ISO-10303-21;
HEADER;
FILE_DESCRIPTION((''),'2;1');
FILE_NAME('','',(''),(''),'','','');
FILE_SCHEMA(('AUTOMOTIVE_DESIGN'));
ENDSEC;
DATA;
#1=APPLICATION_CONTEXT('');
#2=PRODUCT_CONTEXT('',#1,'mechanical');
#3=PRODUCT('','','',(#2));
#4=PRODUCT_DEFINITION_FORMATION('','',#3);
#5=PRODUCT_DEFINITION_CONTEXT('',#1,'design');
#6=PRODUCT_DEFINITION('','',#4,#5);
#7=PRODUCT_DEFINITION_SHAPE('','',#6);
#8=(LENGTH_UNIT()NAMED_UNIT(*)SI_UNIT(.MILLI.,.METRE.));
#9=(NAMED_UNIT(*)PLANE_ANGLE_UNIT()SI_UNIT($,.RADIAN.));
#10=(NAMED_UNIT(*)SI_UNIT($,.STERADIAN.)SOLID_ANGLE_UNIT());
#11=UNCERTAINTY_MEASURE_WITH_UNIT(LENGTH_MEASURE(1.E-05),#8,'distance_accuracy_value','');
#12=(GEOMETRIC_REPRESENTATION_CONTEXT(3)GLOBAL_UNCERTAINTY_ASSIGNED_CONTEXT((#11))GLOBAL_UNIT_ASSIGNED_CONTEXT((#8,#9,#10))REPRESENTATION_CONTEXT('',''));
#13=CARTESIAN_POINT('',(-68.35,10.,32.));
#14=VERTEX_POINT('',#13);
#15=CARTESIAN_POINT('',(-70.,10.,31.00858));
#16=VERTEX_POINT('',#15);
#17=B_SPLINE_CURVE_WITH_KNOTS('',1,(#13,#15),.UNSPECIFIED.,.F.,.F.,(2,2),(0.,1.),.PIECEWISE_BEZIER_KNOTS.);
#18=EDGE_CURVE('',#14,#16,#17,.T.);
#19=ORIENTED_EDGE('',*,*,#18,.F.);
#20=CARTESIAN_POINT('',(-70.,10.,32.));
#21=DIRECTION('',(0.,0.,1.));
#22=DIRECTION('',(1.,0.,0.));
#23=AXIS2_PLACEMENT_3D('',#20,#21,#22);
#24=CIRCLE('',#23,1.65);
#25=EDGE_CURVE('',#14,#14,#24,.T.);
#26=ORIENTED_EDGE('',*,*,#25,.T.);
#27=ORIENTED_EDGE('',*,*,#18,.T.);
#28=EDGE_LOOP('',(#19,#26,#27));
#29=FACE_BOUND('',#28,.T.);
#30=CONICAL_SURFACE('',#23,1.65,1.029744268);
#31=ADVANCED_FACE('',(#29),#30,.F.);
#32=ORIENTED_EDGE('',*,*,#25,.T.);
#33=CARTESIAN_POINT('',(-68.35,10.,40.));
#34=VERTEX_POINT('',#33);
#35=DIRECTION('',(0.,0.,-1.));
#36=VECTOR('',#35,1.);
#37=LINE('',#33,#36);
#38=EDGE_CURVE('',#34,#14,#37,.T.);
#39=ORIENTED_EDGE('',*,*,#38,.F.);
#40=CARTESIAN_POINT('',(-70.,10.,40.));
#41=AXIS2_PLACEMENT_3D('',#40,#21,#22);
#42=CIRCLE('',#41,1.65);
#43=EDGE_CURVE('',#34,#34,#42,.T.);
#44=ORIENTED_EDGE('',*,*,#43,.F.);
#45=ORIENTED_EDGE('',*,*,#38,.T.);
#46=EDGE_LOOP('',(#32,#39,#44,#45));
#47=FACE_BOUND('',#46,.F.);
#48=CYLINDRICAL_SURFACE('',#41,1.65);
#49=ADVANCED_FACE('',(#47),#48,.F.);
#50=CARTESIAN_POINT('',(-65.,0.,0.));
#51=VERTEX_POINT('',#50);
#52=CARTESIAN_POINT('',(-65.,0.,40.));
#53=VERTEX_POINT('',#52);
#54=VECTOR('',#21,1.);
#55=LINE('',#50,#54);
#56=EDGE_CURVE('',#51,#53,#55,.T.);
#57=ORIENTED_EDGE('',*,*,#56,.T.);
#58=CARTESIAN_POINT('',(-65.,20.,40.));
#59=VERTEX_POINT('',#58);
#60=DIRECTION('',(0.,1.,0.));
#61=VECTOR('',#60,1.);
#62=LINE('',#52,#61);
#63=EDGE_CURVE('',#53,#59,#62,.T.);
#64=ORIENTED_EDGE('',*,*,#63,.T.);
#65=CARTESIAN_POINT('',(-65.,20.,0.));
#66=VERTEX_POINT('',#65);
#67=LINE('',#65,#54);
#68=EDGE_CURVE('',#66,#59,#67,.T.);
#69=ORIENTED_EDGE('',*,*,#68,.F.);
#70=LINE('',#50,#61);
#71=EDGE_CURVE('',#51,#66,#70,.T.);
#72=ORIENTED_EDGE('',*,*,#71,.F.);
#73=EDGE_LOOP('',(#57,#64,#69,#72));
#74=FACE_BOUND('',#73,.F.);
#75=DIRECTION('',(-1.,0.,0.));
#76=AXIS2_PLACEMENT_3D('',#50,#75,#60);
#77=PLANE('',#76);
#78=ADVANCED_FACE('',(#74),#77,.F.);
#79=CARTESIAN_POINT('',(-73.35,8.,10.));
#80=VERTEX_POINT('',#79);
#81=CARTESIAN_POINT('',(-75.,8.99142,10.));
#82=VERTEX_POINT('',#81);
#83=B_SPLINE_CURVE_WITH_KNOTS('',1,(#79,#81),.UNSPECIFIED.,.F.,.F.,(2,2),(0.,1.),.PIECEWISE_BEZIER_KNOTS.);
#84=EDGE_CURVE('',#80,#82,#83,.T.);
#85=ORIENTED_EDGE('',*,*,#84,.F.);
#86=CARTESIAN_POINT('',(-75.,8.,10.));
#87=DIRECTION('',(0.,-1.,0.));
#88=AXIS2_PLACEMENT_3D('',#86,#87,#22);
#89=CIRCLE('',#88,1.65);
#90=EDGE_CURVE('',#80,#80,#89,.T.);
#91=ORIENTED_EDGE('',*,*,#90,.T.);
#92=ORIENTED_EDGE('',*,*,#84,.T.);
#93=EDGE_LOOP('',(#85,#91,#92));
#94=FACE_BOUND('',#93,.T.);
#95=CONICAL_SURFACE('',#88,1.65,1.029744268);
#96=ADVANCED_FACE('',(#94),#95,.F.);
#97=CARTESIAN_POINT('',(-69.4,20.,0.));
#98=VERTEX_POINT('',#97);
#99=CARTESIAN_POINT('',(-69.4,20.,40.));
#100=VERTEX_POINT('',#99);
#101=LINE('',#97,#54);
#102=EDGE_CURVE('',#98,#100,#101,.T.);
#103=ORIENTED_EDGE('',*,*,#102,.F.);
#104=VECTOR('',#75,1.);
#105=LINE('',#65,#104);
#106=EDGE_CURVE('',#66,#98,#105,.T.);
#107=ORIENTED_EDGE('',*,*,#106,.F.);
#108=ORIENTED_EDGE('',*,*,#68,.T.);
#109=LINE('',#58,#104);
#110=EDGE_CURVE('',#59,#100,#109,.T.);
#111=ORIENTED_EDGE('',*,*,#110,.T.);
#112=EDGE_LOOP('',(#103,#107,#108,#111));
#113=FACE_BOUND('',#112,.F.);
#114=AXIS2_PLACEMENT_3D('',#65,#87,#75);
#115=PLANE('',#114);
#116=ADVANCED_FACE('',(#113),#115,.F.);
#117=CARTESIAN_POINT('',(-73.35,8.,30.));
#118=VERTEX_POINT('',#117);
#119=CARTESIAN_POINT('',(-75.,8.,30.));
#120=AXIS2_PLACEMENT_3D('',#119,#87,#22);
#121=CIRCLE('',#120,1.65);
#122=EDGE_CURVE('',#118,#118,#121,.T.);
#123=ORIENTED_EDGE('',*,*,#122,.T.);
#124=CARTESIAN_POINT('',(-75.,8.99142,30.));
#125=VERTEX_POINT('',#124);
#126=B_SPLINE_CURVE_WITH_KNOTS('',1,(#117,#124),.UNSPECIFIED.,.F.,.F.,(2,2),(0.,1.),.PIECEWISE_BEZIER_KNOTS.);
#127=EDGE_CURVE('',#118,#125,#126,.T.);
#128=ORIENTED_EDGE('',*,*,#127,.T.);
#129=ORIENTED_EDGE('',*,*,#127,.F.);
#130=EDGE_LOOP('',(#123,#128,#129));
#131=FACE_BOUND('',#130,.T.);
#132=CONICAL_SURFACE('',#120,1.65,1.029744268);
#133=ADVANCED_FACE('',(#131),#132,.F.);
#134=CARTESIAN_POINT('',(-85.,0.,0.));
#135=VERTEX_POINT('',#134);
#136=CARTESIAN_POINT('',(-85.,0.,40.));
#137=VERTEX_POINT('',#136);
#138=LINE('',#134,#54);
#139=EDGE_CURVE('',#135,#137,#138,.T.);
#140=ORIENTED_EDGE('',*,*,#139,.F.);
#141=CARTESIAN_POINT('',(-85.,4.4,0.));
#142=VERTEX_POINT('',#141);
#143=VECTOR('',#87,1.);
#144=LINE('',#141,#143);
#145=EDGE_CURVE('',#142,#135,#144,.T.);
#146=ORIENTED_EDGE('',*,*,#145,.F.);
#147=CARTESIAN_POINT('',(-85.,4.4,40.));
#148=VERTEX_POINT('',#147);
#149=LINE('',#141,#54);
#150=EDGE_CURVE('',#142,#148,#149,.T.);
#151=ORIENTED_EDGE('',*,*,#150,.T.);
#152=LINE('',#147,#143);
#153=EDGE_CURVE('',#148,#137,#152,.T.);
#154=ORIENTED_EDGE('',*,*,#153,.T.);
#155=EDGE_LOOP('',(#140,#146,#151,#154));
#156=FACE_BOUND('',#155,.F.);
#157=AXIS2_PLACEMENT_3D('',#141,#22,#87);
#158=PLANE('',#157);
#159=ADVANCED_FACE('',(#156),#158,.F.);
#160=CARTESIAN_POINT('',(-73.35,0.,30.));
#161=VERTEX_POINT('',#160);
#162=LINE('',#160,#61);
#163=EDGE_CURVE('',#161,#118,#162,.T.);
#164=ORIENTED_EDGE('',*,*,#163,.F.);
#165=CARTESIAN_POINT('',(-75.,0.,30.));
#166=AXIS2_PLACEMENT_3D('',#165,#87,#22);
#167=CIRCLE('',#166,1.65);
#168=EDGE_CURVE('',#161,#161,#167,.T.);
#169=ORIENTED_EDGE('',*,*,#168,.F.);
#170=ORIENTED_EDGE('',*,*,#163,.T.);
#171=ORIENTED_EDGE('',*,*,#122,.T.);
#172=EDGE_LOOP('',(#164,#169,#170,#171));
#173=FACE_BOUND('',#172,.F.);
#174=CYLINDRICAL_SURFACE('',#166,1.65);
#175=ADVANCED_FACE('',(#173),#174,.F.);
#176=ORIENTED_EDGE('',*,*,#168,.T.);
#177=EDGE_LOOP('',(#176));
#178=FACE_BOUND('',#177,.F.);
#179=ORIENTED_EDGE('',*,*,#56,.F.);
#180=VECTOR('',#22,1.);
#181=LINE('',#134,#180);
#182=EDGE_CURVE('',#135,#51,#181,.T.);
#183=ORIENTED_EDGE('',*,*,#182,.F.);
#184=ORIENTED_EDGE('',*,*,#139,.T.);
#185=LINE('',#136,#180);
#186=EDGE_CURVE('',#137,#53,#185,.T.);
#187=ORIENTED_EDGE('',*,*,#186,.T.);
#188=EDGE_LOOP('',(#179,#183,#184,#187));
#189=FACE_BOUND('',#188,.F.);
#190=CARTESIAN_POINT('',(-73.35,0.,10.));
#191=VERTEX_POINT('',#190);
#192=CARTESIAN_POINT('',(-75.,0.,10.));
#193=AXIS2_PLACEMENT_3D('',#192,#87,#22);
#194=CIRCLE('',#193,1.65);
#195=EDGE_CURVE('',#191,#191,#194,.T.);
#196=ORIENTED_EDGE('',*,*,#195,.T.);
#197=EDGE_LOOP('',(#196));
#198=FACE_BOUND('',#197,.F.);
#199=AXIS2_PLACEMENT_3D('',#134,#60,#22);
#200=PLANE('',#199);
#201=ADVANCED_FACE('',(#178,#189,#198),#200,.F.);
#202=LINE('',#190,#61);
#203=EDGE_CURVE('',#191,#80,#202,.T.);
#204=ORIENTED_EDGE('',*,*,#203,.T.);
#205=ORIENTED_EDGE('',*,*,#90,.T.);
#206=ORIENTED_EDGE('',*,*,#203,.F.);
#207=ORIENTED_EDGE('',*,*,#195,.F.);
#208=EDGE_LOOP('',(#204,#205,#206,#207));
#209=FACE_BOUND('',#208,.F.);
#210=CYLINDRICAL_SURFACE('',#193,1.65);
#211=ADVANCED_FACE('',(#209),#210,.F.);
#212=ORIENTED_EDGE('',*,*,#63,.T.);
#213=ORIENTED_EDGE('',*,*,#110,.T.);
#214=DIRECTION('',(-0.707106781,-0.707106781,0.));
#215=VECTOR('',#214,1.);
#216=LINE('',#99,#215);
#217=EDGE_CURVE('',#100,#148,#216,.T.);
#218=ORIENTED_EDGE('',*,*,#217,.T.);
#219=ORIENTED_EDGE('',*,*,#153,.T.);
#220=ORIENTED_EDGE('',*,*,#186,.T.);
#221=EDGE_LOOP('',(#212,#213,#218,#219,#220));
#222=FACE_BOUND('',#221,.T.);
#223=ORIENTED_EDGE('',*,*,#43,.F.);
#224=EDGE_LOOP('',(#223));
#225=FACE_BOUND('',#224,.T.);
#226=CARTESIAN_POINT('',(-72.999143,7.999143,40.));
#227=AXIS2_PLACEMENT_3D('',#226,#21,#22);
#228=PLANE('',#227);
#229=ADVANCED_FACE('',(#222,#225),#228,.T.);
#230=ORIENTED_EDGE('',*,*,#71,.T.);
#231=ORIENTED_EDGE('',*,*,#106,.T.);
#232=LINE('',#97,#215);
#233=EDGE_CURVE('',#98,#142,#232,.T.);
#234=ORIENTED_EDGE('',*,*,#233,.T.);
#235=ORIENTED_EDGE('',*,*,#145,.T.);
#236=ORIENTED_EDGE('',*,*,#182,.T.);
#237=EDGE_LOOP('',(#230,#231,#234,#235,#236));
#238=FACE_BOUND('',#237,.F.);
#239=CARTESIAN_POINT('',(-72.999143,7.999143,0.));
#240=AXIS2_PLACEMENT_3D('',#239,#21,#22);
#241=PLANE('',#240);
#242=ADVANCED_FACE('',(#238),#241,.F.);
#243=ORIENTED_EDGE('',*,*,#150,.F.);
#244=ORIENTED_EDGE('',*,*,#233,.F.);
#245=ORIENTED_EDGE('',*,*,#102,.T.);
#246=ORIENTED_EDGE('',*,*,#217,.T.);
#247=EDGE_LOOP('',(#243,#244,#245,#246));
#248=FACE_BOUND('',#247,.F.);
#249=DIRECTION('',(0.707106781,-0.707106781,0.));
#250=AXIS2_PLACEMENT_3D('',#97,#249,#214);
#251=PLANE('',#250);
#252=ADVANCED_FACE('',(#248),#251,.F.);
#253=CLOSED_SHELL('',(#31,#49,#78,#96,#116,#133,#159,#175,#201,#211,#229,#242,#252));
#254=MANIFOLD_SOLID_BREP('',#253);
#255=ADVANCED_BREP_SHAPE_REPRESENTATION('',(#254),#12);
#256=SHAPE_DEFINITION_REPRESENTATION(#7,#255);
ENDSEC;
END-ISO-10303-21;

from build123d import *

# Parameters (mm, degrees)
PAD_DEPTH      = 40
SKETCH001_R    = 1.65
HOLE_DEPTH     = 8
HOLE_TIPS_R    = 1.65
SKETCH002_R    = 1.65
HOLE001_DEPTH  = 8
HOLE001_TIPS_R = 1.65


with BuildPart() as part:
    # Sketch → Pad (new body)
    with BuildSketch(Plane.XY):
        Polygon((-85, 0), (-65, 0), (-65, 20), (-69.4, 20), (-85, 4.4), align=None)
    extrude(amount=PAD_DEPTH)

    # Sketch001 (on Face1 of Pad) → Hole (cut)
    with BuildSketch(Plane.XZ):
        with Locations((-75, 30)):
            Circle(SKETCH001_R)
        with Locations((-75, 10)):
            Circle(SKETCH001_R)
    extrude(amount=-HOLE_DEPTH, mode=Mode.SUBTRACT)

    # Hole tips → Hole tip 1 section 0
    with BuildSketch(Plane.XZ.offset(-8), mode=Mode.PRIVATE) as hole_tip_1_s0:
        with Locations((-75, 30)):
            Circle(HOLE_TIPS_R)
    loft([hole_tip_1_s0.sketch, Vertex(-75, 8.99142, 30)], mode=Mode.SUBTRACT)

    # Hole tips → Hole tip 2 section 0
    with BuildSketch(Plane.XZ.offset(-8), mode=Mode.PRIVATE) as hole_tip_2_s0:
        with Locations((-75, 10)):
            Circle(HOLE_TIPS_R)
    loft([hole_tip_2_s0.sketch, Vertex(-75, 8.99142, 10)], mode=Mode.SUBTRACT)

    # Sketch002 (on Face4 of Hole) → Hole001 (cut)
    with BuildSketch(Plane.XY.offset(40)):
        with Locations((-70, 10)):
            Circle(SKETCH002_R)
    extrude(amount=-HOLE001_DEPTH, mode=Mode.SUBTRACT)

    # Hole001 tips → Hole001 tip 1 section 0
    with BuildSketch(Plane.XY.offset(32), mode=Mode.PRIVATE) as hole001_tip_1_s0:
        with Locations((-70, 10)):
            Circle(HOLE001_TIPS_R)
    loft([hole001_tip_1_s0.sketch, Vertex(-70, 10, 31.00858)], mode=Mode.SUBTRACT)


solid = part.part
